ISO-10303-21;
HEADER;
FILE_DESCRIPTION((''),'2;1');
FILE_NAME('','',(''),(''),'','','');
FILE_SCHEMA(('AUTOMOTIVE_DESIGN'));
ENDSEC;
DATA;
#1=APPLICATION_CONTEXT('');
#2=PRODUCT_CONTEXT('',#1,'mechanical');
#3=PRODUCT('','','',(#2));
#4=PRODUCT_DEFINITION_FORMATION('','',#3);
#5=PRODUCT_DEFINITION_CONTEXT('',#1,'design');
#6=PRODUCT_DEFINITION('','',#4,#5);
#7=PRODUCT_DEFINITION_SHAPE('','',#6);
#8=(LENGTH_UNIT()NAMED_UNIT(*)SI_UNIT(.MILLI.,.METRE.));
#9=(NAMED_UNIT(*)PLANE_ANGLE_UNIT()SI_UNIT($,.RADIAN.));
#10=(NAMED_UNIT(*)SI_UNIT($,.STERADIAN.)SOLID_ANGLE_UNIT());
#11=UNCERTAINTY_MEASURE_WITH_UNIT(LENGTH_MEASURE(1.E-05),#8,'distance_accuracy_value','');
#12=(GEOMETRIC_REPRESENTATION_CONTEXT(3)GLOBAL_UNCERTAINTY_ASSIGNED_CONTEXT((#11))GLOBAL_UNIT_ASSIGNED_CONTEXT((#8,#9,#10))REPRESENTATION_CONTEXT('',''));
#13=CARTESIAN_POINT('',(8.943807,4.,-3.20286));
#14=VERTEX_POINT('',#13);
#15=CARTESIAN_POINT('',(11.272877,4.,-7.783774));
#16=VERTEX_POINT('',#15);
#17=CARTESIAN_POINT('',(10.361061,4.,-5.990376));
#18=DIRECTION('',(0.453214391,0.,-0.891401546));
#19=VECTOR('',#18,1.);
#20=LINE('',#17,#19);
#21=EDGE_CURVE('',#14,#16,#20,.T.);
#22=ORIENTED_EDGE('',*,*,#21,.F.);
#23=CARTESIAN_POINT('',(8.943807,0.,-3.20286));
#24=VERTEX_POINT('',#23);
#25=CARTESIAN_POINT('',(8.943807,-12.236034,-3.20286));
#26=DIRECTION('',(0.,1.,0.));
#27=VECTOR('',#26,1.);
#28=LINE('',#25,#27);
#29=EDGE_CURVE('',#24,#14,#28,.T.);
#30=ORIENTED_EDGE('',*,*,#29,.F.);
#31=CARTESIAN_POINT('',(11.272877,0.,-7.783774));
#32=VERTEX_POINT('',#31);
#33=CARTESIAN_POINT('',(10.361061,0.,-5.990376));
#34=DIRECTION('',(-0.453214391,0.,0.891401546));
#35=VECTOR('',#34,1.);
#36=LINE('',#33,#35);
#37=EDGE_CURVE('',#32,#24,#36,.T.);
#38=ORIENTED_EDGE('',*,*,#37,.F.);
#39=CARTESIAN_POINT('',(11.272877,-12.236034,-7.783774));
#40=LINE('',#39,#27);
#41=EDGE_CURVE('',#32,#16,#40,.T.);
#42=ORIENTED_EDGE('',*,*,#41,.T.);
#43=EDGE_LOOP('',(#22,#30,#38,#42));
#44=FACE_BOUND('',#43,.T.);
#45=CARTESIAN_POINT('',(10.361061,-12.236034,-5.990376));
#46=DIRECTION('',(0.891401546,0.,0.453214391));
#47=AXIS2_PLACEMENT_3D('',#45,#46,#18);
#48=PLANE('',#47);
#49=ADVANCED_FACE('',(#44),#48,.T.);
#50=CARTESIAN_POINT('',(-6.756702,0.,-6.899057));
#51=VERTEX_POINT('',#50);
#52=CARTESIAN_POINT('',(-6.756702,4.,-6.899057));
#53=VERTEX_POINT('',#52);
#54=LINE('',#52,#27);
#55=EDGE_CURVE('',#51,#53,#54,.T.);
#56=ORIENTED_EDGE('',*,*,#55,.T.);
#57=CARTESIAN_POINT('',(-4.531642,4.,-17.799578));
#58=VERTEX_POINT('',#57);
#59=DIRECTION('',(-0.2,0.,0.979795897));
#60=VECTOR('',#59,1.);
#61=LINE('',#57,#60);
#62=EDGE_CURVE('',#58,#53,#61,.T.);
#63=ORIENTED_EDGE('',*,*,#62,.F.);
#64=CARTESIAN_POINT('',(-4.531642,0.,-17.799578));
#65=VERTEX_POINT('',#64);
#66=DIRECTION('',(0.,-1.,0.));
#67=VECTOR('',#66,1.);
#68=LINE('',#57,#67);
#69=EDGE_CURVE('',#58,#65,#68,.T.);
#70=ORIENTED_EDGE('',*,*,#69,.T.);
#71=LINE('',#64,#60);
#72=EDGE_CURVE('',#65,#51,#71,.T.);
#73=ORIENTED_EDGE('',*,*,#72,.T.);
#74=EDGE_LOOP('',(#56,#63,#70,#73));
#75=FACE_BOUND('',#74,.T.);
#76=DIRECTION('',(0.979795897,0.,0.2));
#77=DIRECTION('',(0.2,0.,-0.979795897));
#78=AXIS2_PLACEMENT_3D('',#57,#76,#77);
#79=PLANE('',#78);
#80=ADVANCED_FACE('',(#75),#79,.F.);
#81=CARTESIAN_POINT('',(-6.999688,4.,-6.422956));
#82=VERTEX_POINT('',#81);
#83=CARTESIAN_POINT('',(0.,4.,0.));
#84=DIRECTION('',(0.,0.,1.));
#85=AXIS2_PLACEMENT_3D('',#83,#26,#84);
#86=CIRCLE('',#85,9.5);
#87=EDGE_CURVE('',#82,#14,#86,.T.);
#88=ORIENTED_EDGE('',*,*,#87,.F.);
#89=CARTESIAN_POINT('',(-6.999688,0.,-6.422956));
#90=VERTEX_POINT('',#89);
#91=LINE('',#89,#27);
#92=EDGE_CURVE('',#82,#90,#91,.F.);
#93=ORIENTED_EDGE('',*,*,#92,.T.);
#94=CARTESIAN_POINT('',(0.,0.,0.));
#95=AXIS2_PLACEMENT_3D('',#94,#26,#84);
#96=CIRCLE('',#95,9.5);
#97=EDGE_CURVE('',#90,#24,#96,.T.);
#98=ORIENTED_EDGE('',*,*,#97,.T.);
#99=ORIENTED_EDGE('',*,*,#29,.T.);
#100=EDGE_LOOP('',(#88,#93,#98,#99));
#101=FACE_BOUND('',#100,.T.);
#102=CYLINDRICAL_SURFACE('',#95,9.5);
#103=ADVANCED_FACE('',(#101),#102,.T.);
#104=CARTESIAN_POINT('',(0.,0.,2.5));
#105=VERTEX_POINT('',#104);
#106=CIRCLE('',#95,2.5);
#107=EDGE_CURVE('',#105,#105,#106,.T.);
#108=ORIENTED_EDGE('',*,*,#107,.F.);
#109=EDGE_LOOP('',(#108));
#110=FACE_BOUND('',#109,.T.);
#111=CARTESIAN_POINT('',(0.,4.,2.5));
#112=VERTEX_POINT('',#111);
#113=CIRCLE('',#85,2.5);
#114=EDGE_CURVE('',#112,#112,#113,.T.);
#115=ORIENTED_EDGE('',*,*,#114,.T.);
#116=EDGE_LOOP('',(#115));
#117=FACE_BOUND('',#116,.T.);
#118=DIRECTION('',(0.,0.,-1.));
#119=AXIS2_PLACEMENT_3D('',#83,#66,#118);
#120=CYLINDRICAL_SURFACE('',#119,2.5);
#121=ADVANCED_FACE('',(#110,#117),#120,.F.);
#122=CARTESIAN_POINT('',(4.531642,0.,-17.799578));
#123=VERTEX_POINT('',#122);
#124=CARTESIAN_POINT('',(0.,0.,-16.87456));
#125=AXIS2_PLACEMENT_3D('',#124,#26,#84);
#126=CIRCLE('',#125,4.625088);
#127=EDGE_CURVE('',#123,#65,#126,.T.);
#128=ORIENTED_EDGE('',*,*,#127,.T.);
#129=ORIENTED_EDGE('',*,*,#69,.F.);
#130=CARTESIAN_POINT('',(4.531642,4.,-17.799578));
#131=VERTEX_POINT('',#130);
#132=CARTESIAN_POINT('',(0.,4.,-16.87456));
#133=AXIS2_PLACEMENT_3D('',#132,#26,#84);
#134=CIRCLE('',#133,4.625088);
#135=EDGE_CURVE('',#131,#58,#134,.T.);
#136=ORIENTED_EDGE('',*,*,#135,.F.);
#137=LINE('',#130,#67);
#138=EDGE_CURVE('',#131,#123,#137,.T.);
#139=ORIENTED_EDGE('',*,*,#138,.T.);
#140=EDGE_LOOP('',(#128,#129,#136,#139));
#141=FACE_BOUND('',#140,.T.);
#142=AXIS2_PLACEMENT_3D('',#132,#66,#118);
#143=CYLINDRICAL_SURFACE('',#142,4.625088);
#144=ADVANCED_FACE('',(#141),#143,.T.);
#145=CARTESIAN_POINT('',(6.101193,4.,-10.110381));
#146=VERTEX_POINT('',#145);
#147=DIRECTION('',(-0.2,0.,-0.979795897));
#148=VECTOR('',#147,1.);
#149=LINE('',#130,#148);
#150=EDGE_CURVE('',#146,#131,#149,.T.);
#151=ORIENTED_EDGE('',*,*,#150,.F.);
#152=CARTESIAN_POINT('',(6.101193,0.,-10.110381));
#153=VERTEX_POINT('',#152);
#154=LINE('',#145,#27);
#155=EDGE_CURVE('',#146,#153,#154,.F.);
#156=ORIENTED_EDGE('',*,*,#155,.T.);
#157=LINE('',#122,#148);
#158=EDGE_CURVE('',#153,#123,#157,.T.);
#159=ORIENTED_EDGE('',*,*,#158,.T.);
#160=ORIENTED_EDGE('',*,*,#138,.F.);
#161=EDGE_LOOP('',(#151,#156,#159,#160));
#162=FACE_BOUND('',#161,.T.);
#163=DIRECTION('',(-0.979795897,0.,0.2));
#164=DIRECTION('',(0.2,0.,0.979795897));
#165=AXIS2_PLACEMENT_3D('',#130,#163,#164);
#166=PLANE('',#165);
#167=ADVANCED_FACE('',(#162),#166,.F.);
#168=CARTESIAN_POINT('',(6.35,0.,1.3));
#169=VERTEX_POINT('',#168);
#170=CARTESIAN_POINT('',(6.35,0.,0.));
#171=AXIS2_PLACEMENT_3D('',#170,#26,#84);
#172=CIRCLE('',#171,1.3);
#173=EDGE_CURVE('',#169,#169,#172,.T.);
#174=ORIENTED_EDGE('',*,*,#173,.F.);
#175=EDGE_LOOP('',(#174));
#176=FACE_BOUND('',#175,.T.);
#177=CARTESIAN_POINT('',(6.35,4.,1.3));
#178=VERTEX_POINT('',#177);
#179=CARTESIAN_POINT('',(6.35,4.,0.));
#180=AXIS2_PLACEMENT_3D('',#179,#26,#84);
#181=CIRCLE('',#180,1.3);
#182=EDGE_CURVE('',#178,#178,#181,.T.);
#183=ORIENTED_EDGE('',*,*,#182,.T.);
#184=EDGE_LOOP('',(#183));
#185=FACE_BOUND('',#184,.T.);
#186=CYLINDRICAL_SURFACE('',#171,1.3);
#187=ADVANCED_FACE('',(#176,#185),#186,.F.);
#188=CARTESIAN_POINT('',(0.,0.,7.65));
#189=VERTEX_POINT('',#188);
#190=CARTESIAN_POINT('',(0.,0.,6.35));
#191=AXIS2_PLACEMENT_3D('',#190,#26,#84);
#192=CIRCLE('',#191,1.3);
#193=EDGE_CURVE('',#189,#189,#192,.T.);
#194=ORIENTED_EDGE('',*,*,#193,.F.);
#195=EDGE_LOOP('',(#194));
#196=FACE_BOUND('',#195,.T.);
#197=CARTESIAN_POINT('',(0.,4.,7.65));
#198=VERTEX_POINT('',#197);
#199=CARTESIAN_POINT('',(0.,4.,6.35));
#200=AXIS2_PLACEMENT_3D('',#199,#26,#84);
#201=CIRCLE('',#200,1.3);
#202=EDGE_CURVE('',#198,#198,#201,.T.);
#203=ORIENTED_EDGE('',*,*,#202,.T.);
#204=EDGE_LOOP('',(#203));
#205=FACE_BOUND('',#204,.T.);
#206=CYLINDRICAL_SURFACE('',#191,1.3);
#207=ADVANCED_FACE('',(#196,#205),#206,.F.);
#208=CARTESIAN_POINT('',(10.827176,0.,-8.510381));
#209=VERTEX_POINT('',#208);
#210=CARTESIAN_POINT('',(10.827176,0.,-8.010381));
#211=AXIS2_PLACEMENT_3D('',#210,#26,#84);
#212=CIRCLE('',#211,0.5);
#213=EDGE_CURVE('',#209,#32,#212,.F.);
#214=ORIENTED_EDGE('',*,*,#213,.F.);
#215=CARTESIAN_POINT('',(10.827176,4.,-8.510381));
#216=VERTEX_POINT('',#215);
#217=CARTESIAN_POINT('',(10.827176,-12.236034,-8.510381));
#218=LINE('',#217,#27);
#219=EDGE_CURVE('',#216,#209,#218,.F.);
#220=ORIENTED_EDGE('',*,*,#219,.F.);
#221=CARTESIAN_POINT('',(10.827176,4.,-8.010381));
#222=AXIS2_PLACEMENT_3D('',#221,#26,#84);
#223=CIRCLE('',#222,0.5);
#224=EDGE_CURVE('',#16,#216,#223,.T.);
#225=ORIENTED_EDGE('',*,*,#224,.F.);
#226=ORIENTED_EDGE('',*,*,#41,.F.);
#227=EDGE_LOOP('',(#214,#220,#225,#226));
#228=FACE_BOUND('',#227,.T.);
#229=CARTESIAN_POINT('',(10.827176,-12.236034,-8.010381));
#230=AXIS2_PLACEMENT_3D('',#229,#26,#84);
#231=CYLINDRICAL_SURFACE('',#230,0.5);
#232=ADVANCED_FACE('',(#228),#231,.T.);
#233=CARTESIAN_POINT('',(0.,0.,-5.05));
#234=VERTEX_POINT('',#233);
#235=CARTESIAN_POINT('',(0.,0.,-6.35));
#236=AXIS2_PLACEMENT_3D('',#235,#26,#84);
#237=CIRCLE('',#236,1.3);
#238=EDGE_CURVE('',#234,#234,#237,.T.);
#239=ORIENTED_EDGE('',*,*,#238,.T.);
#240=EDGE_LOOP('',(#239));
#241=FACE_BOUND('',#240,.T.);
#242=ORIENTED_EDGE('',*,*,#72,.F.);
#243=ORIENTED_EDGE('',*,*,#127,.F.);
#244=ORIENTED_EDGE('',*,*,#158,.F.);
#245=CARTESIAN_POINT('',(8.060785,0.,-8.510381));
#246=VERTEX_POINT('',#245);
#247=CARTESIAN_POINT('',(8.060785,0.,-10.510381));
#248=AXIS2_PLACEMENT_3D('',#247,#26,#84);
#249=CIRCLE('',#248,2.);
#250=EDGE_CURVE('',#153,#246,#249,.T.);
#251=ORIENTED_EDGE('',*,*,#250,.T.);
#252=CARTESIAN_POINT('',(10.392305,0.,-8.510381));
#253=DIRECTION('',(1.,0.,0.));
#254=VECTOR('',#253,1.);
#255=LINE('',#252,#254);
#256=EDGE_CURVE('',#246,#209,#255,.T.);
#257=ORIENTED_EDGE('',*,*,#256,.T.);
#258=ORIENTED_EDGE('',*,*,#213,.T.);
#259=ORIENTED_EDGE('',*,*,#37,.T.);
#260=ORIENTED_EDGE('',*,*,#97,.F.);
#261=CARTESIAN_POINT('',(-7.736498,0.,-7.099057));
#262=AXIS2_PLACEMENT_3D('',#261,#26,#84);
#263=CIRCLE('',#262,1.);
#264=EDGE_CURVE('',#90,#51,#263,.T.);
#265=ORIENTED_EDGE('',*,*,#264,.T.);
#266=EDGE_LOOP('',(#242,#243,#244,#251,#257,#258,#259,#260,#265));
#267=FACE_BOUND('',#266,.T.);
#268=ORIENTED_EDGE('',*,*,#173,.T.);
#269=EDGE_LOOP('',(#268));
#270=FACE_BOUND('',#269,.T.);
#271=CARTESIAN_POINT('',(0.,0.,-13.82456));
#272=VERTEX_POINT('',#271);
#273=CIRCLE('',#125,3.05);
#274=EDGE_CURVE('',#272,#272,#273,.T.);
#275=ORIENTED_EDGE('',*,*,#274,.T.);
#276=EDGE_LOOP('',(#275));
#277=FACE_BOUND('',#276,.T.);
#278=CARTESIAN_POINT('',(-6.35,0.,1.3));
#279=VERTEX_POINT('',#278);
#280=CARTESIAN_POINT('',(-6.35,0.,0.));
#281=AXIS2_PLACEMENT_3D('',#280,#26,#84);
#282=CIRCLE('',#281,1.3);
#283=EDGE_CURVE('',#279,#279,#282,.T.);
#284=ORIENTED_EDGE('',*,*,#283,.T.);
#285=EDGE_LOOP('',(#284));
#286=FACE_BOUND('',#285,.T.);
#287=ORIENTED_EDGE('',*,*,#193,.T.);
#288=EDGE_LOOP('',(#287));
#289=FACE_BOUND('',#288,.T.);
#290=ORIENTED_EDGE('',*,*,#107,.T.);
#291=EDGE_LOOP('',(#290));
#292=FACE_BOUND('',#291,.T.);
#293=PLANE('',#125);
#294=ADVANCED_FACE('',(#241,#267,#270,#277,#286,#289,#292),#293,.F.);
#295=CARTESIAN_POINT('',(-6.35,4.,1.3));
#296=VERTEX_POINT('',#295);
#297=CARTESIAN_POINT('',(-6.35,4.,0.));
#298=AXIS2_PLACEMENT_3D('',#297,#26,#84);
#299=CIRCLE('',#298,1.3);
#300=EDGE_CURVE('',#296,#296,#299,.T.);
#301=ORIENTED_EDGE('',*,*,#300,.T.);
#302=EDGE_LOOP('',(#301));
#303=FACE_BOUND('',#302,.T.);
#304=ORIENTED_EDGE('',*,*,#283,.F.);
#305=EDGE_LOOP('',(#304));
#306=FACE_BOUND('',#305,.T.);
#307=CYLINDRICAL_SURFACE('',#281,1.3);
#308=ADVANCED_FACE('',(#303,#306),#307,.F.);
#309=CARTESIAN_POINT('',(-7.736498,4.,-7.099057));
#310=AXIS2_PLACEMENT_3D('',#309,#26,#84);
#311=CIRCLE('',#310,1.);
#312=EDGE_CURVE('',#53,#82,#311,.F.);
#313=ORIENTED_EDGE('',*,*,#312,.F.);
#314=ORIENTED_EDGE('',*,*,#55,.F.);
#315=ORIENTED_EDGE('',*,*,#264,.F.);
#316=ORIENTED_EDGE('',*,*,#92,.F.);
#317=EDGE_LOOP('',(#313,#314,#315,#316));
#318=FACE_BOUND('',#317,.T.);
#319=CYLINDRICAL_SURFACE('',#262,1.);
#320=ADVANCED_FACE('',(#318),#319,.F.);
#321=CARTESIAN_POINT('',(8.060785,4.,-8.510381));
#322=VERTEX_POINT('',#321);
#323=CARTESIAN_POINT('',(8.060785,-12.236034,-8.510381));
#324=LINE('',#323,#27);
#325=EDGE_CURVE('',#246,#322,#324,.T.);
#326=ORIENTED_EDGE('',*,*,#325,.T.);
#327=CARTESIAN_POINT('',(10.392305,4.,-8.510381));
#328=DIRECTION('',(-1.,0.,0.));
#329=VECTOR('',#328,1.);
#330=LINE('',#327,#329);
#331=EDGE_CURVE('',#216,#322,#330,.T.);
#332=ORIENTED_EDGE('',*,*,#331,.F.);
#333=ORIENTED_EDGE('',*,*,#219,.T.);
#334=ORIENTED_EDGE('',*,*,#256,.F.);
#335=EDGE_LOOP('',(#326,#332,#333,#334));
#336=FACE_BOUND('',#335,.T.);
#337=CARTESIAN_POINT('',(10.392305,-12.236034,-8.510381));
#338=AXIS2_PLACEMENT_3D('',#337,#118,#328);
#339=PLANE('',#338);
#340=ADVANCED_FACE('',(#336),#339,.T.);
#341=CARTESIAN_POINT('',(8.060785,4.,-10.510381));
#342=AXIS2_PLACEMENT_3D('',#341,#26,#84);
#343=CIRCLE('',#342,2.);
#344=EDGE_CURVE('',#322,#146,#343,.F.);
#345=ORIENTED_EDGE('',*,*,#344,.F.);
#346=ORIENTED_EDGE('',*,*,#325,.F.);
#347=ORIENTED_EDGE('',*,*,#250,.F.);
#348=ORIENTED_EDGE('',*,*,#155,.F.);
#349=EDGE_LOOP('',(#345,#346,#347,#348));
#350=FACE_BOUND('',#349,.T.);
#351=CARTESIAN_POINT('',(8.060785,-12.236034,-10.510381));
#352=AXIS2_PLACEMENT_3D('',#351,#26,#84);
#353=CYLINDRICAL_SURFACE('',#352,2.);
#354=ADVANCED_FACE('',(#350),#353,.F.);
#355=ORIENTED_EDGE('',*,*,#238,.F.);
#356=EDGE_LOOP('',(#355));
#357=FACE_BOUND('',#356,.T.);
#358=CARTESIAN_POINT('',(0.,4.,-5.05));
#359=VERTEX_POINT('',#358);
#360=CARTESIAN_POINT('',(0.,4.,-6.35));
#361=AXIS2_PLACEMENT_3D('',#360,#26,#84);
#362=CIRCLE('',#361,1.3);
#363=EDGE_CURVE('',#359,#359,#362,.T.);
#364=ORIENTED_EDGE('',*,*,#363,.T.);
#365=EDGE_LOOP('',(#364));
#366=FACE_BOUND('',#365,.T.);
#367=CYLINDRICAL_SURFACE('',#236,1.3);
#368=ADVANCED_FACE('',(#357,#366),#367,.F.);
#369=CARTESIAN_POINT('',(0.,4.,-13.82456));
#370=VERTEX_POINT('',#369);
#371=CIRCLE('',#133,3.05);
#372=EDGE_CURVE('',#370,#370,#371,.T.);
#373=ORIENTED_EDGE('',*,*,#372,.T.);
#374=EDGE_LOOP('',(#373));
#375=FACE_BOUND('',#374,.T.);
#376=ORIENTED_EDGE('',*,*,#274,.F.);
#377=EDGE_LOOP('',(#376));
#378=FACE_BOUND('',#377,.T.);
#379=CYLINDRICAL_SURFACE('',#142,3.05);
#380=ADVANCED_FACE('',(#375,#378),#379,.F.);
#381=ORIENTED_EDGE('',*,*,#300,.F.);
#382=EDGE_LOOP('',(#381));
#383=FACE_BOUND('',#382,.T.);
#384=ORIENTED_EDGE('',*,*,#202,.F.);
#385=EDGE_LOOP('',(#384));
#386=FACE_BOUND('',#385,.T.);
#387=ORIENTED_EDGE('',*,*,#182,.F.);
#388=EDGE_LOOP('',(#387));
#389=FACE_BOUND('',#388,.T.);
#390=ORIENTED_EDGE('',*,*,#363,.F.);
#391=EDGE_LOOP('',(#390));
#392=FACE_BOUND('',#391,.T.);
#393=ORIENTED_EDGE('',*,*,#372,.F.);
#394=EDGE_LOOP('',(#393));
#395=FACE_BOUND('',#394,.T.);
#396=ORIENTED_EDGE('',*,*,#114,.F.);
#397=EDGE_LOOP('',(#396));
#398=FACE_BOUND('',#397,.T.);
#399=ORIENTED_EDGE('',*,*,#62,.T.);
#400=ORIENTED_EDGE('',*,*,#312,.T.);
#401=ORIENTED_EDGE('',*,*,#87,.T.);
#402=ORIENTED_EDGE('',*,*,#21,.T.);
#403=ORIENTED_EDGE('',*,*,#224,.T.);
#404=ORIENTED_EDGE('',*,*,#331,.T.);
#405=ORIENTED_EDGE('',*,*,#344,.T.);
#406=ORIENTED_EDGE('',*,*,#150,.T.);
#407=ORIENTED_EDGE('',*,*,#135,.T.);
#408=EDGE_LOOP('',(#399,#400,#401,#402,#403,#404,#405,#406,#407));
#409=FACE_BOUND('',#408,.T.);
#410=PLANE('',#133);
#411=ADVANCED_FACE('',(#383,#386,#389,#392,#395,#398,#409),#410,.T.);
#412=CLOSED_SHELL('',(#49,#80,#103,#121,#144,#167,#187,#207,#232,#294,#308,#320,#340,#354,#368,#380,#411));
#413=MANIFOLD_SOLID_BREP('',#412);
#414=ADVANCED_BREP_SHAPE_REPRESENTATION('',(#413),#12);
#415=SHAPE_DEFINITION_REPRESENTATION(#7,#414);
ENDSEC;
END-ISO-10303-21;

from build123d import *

# Parameters (mm, degrees)
SKETCH1_R           = 3.05
SKETCH1_R_2         = 2.5
BOSS_EXTRUDE1_DEPTH = 4
SKETCH2_R           = 1.3
CUT_EXTRUDE1_DEPTH  = 4
BOSS_EXTRUDE2_DEPTH = 4
BOSS_EXTRUDE3_DEPTH = 4
FILLET1_R           = 1
FILLET9_R           = 0.5
FILLET10_R          = 2


with BuildPart() as part:
    # Sketch1 → Boss-Extrude1 (new body)
    with BuildSketch(Plane(origin=(0, 0, 0), x_dir=(1, 0, 0), z_dir=(0, 1, 0))):
        with BuildLine():
            Line((-4.531642246, 17.7995776), (-7.838367177, 1.6))
            ThreePointArc((-7.838367177, 1.6), (0, -8), (7.838367177, 1.6))
            Line((7.838367177, 1.6), (4.531642246, 17.7995776))
            ThreePointArc((4.531642246, 17.7995776), (0, 21.499648), (-4.531642246, 17.7995776))
        make_face()
        with Locations((0, 16.87456)):
            Circle(SKETCH1_R, mode=Mode.SUBTRACT)
        Circle(SKETCH1_R_2, mode=Mode.SUBTRACT)
    extrude(amount=BOSS_EXTRUDE1_DEPTH)

    # Sketch2 → Cut-Extrude1 (cut)
    with BuildSketch(Plane(origin=(0, 4, 0), x_dir=(1, 0, 0), z_dir=(0, 1, 0))):
        with Locations((0, 6.35)):
            Circle(SKETCH2_R)
        with Locations((6.35, 0)):
            Circle(SKETCH2_R)
        with Locations((0, -6.35)):
            Circle(SKETCH2_R)
        with Locations((-6.35, 0)):
            Circle(SKETCH2_R)
    extrude(amount=-CUT_EXTRUDE1_DEPTH, mode=Mode.SUBTRACT)

    # Sketch3 → Boss-Extrude2 (add)
    with BuildSketch(Plane(origin=(0, 4, 0), x_dir=(1, 0, 0), z_dir=(0, 1, 0))):
        with BuildLine():
            Line((-7.838367177, 1.6), (-6.8136721, 6.619960159))
            ThreePointArc((-6.8136721, 6.619960159), (0, -9.5), (6.8136721, 6.619960159))
            Line((6.8136721, 6.619960159), (7.838367177, 1.6))
            ThreePointArc((7.838367177, 1.6), (0, -8), (-7.838367177, 1.6))
        make_face()
    extrude(amount=-BOSS_EXTRUDE2_DEPTH)

    # Sketch4 → Boss-Extrude3 (add)
    with BuildSketch(Plane(origin=(0, 4, 0), x_dir=(1, 0, 0), z_dir=(0, 1, 0))):
        with BuildLine():
            Line((10.392304845, 8.510381451), (6.42779147, 8.510381451))
            Line((6.42779147, 8.510381451), (6.8136721, 6.619960159))
            Line((6.8136721, 6.619960159), (1.793071605, 1.742094779))
            ThreePointArc((1.793071605, 1.742094779), (1.994303817, 1.507565019), (2.165063509, 1.25))
            Line((2.165063509, 1.25), (5.073143183, 2.928980582))
            Line((5.073143183, 2.928980582), (8.943807158, 3.20286021))
            Line((8.943807158, 3.20286021), (10.361060865, 5.990375719))
            Line((10.361060865, 5.990375719), (11.642304845, 8.510381451))
            Line((11.642304845, 8.510381451), (10.392304845, 8.510381451))
        make_face()
    extrude(amount=-BOSS_EXTRUDE3_DEPTH)

    # Fillet1
    fillet1_edges = [part.edges().sort_by_distance(p)[0] for p in [
        (-6.8136721, 2, -6.619960159),
    ]]
    fillet(fillet1_edges, radius=FILLET1_R)

    # Fillet9
    fillet9_edges = [part.edges().sort_by_distance(p)[0] for p in [
        (11.642304845, 2, -8.510381451),
    ]]
    fillet(fillet9_edges, radius=FILLET9_R)

    # Fillet10
    fillet10_edges = [part.edges().sort_by_distance(p)[0] for p in [
        (6.42779147, 2, -8.510381451),
    ]]
    fillet(fillet10_edges, radius=FILLET10_R)


solid = part.part
